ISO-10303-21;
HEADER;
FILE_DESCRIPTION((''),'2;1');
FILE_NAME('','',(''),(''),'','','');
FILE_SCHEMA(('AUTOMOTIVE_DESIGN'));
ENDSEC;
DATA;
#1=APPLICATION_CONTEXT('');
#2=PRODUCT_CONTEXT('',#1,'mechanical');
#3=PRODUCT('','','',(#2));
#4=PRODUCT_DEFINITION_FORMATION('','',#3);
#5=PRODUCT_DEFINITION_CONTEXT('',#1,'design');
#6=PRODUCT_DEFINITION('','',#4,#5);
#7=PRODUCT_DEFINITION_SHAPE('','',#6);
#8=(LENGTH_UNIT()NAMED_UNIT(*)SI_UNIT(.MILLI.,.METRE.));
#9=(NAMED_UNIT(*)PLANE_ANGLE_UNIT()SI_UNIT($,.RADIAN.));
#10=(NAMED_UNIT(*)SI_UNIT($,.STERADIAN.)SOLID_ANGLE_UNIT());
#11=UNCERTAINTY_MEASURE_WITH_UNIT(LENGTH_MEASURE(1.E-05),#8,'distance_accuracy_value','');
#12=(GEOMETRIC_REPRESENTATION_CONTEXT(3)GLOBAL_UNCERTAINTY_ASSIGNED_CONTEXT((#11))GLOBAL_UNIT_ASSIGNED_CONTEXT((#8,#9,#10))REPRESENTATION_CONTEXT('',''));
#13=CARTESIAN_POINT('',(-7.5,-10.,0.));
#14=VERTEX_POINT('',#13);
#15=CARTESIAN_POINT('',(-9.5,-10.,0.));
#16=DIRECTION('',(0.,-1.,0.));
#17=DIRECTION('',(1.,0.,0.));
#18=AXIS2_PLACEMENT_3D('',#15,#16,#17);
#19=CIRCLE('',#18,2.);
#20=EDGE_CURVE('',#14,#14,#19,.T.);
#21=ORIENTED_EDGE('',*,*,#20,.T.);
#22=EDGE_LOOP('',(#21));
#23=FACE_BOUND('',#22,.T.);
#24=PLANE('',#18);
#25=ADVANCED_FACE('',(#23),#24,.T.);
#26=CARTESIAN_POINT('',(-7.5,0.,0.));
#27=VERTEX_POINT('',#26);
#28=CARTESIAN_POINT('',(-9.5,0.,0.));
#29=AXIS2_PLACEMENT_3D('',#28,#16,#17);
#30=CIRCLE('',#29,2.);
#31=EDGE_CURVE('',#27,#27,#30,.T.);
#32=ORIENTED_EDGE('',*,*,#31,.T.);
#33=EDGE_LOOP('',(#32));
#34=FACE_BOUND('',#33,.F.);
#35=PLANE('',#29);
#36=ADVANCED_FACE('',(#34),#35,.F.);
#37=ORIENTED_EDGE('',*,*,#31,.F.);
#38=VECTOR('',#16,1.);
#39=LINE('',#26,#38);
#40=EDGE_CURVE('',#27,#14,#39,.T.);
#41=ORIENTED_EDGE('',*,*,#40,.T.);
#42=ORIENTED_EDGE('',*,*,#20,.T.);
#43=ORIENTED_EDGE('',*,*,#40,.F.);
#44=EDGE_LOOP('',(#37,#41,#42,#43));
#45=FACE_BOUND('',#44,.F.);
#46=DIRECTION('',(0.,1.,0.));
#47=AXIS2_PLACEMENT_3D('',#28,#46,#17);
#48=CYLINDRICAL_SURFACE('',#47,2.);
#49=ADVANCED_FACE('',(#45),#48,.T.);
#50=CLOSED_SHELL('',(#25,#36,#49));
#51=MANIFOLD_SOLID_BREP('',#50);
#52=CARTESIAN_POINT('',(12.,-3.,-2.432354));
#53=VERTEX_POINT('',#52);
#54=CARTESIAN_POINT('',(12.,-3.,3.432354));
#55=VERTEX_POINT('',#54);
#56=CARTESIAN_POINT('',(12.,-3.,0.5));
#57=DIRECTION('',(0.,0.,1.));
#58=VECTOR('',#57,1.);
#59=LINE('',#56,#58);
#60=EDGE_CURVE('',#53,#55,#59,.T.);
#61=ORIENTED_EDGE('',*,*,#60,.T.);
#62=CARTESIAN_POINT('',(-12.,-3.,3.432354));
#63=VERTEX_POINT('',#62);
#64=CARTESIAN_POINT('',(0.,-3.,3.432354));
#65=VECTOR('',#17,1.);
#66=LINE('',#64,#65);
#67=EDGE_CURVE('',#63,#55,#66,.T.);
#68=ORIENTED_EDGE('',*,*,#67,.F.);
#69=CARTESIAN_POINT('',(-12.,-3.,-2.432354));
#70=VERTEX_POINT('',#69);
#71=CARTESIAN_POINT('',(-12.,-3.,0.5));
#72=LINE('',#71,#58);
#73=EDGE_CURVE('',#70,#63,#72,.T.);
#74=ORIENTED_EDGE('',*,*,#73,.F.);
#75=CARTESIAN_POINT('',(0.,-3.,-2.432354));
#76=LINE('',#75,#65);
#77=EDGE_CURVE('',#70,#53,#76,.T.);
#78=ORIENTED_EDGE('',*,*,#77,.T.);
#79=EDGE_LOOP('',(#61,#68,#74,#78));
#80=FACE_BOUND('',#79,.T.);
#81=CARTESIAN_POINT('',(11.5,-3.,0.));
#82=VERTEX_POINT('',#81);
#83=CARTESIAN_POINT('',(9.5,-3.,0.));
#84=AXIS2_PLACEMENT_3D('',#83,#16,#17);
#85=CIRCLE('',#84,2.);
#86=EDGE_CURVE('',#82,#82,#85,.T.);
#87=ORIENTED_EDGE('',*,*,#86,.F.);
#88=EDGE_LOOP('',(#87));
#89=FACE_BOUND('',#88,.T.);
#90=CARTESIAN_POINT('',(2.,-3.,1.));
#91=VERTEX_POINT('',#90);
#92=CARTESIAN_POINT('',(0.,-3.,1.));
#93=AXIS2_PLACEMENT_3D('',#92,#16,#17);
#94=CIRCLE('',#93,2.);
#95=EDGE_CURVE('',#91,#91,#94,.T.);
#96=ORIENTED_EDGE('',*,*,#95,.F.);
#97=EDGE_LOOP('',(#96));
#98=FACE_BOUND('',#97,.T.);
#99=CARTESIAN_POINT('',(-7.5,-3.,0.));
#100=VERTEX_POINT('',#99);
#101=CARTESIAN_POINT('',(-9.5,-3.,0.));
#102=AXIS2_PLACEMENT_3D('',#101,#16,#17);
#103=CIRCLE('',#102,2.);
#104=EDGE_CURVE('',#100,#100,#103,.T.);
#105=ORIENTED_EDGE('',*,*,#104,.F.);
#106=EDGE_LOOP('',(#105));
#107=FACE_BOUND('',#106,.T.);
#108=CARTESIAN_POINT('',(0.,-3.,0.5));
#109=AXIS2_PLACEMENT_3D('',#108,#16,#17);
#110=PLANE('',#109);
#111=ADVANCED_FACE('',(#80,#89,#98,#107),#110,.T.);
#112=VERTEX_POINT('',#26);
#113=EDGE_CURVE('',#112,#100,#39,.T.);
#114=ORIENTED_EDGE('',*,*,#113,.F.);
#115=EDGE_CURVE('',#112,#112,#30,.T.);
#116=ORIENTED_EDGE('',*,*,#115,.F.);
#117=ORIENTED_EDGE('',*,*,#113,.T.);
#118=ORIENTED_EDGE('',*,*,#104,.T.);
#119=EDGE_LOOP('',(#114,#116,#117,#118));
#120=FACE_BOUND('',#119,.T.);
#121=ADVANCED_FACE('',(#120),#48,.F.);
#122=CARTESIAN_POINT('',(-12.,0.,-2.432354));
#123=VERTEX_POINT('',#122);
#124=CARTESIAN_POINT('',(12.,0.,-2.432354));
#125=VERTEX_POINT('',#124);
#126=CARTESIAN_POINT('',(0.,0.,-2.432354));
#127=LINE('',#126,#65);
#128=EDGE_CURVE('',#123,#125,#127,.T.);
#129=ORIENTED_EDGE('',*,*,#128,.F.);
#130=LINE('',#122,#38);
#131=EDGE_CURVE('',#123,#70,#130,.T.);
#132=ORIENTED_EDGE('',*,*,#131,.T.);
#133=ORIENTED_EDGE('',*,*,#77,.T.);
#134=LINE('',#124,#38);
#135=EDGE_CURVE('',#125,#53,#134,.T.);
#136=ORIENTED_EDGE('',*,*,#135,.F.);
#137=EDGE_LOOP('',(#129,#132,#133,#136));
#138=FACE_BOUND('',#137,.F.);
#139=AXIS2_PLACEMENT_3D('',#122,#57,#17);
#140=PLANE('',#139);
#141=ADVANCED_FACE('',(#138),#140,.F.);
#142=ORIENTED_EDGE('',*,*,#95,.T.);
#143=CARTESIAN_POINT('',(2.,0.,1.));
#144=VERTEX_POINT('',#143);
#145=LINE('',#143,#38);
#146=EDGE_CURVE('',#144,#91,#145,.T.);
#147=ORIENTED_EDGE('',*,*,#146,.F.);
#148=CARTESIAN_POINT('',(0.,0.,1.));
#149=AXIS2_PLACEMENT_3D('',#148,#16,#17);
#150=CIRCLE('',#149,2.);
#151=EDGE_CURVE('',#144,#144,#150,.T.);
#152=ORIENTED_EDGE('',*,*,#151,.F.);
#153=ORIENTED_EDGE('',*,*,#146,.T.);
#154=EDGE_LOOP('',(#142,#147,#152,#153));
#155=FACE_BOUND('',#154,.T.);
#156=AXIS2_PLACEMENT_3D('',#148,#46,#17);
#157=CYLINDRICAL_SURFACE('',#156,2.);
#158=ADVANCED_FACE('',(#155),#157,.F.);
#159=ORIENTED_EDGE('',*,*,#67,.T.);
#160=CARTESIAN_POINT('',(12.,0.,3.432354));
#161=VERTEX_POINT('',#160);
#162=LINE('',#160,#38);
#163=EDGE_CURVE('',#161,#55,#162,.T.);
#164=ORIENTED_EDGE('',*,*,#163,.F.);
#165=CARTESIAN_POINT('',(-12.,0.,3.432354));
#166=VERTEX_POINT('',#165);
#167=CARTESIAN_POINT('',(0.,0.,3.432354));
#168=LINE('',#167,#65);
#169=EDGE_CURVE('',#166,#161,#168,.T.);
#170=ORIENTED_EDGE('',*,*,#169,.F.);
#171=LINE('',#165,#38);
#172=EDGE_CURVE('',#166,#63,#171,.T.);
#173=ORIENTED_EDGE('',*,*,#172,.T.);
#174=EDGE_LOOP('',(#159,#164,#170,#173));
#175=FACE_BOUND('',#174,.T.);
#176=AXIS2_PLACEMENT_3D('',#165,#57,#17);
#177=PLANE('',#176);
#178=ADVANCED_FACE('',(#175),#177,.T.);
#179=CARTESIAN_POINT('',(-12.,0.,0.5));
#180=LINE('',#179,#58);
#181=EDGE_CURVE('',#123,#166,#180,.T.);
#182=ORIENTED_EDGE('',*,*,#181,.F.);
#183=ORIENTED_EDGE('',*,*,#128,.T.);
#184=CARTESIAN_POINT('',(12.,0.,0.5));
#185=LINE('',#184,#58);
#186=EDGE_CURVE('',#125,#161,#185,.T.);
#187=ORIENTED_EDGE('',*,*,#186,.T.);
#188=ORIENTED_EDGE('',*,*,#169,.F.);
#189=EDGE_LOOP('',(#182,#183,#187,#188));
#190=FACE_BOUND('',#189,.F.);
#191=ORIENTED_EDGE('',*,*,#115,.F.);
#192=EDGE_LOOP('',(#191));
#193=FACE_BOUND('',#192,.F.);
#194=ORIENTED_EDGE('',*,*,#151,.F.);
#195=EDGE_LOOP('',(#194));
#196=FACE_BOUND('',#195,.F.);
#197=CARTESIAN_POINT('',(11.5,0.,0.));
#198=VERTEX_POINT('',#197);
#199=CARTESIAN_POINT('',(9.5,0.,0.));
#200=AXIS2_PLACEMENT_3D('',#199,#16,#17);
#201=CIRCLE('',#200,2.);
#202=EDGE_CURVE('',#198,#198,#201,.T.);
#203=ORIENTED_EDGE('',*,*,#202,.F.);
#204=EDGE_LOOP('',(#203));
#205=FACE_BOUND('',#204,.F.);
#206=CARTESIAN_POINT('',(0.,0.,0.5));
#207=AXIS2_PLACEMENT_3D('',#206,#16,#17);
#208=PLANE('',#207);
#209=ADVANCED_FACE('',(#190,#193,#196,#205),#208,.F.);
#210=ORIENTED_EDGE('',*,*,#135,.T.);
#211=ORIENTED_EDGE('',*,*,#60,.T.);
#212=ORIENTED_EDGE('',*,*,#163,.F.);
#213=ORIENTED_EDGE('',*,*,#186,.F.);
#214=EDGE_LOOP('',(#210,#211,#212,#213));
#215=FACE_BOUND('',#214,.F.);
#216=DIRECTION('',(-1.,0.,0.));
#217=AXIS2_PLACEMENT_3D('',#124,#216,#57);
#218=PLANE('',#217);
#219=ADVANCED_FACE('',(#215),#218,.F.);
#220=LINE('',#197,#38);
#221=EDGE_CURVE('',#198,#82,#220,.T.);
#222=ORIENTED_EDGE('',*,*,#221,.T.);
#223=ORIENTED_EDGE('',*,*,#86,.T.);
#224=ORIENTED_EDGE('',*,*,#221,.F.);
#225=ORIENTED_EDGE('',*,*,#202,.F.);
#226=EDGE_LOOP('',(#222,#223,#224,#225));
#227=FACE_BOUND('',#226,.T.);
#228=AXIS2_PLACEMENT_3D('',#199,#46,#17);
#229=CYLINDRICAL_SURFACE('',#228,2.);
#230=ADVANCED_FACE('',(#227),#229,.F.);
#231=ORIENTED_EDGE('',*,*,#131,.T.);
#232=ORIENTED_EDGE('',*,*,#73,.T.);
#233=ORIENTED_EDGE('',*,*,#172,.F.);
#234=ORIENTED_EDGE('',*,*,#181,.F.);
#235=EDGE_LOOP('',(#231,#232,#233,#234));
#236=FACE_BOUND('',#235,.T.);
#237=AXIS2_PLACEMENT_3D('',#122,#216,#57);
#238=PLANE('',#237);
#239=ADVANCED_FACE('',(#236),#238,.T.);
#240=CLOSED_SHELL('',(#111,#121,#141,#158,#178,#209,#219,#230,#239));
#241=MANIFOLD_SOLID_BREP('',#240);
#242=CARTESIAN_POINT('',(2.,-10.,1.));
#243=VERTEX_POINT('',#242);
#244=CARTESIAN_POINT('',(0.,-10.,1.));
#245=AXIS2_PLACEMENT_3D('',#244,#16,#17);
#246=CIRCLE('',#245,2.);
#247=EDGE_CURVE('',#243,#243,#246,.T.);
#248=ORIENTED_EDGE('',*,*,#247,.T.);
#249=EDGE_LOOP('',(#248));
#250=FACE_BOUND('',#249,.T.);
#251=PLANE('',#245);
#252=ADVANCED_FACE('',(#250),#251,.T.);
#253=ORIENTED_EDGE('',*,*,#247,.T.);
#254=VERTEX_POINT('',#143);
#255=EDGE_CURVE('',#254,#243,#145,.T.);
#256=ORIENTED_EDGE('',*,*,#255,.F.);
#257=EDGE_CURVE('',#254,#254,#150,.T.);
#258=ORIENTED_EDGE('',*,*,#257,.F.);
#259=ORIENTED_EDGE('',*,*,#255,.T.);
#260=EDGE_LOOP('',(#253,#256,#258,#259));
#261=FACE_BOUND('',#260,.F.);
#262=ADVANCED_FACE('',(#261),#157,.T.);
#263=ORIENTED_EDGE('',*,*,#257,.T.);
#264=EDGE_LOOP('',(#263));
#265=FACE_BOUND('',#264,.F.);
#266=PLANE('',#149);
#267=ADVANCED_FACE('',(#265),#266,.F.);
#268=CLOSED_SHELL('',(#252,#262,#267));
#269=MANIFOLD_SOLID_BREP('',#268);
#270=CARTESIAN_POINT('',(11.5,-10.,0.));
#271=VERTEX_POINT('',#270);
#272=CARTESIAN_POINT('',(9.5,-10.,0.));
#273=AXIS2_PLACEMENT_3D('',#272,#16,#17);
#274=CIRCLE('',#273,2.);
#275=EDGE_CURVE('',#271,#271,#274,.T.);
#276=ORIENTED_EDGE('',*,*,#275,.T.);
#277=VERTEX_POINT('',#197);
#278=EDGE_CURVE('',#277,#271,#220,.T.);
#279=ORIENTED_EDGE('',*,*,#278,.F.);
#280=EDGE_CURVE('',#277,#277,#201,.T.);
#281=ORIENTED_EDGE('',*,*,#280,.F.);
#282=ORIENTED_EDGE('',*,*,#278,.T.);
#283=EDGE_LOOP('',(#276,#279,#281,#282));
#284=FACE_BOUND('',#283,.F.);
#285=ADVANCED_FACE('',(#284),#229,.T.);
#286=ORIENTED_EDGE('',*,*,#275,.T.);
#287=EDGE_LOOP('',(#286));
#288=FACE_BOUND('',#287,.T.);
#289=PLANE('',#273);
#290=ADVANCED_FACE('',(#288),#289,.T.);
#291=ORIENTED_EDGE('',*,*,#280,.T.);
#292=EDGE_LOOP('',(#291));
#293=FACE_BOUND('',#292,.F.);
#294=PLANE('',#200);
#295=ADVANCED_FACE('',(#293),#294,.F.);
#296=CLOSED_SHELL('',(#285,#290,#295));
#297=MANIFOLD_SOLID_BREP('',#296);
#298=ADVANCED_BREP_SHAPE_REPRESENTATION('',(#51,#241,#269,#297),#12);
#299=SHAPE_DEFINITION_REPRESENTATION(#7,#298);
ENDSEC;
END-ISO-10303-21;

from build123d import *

# Parameters (mm, degrees)
F0_R     = 2
F1_DEPTH = 10
F0_W     = 24
F0_H     = 5.864708
F2_DEPTH = 3


with BuildPart() as f1:
    # F0 (on Front) → F1 (new body)
    with BuildSketch(Plane.XZ):
        with Locations((-9.5, 0)):
            Circle(F0_R)
        with Locations((0, 1)):
            Circle(F0_R)
        with Locations((9.5, 0)):
            Circle(F0_R)
    extrude(amount=F1_DEPTH)


with BuildPart() as f2:
    # F0 (on Front) → F2 (new body)
    with BuildSketch(Plane.XZ):
        with Locations((0, 0.5)):
            Rectangle(F0_W, F0_H)
        with Locations((-9.5, 0)):
            Circle(F0_R, mode=Mode.SUBTRACT)
        with Locations((9.5, 0)):
            Circle(F0_R, mode=Mode.SUBTRACT)
        with Locations((0, 1)):
            Circle(F0_R, mode=Mode.SUBTRACT)
    extrude(amount=F2_DEPTH)


solid = Compound([f1.part, f2.part])
